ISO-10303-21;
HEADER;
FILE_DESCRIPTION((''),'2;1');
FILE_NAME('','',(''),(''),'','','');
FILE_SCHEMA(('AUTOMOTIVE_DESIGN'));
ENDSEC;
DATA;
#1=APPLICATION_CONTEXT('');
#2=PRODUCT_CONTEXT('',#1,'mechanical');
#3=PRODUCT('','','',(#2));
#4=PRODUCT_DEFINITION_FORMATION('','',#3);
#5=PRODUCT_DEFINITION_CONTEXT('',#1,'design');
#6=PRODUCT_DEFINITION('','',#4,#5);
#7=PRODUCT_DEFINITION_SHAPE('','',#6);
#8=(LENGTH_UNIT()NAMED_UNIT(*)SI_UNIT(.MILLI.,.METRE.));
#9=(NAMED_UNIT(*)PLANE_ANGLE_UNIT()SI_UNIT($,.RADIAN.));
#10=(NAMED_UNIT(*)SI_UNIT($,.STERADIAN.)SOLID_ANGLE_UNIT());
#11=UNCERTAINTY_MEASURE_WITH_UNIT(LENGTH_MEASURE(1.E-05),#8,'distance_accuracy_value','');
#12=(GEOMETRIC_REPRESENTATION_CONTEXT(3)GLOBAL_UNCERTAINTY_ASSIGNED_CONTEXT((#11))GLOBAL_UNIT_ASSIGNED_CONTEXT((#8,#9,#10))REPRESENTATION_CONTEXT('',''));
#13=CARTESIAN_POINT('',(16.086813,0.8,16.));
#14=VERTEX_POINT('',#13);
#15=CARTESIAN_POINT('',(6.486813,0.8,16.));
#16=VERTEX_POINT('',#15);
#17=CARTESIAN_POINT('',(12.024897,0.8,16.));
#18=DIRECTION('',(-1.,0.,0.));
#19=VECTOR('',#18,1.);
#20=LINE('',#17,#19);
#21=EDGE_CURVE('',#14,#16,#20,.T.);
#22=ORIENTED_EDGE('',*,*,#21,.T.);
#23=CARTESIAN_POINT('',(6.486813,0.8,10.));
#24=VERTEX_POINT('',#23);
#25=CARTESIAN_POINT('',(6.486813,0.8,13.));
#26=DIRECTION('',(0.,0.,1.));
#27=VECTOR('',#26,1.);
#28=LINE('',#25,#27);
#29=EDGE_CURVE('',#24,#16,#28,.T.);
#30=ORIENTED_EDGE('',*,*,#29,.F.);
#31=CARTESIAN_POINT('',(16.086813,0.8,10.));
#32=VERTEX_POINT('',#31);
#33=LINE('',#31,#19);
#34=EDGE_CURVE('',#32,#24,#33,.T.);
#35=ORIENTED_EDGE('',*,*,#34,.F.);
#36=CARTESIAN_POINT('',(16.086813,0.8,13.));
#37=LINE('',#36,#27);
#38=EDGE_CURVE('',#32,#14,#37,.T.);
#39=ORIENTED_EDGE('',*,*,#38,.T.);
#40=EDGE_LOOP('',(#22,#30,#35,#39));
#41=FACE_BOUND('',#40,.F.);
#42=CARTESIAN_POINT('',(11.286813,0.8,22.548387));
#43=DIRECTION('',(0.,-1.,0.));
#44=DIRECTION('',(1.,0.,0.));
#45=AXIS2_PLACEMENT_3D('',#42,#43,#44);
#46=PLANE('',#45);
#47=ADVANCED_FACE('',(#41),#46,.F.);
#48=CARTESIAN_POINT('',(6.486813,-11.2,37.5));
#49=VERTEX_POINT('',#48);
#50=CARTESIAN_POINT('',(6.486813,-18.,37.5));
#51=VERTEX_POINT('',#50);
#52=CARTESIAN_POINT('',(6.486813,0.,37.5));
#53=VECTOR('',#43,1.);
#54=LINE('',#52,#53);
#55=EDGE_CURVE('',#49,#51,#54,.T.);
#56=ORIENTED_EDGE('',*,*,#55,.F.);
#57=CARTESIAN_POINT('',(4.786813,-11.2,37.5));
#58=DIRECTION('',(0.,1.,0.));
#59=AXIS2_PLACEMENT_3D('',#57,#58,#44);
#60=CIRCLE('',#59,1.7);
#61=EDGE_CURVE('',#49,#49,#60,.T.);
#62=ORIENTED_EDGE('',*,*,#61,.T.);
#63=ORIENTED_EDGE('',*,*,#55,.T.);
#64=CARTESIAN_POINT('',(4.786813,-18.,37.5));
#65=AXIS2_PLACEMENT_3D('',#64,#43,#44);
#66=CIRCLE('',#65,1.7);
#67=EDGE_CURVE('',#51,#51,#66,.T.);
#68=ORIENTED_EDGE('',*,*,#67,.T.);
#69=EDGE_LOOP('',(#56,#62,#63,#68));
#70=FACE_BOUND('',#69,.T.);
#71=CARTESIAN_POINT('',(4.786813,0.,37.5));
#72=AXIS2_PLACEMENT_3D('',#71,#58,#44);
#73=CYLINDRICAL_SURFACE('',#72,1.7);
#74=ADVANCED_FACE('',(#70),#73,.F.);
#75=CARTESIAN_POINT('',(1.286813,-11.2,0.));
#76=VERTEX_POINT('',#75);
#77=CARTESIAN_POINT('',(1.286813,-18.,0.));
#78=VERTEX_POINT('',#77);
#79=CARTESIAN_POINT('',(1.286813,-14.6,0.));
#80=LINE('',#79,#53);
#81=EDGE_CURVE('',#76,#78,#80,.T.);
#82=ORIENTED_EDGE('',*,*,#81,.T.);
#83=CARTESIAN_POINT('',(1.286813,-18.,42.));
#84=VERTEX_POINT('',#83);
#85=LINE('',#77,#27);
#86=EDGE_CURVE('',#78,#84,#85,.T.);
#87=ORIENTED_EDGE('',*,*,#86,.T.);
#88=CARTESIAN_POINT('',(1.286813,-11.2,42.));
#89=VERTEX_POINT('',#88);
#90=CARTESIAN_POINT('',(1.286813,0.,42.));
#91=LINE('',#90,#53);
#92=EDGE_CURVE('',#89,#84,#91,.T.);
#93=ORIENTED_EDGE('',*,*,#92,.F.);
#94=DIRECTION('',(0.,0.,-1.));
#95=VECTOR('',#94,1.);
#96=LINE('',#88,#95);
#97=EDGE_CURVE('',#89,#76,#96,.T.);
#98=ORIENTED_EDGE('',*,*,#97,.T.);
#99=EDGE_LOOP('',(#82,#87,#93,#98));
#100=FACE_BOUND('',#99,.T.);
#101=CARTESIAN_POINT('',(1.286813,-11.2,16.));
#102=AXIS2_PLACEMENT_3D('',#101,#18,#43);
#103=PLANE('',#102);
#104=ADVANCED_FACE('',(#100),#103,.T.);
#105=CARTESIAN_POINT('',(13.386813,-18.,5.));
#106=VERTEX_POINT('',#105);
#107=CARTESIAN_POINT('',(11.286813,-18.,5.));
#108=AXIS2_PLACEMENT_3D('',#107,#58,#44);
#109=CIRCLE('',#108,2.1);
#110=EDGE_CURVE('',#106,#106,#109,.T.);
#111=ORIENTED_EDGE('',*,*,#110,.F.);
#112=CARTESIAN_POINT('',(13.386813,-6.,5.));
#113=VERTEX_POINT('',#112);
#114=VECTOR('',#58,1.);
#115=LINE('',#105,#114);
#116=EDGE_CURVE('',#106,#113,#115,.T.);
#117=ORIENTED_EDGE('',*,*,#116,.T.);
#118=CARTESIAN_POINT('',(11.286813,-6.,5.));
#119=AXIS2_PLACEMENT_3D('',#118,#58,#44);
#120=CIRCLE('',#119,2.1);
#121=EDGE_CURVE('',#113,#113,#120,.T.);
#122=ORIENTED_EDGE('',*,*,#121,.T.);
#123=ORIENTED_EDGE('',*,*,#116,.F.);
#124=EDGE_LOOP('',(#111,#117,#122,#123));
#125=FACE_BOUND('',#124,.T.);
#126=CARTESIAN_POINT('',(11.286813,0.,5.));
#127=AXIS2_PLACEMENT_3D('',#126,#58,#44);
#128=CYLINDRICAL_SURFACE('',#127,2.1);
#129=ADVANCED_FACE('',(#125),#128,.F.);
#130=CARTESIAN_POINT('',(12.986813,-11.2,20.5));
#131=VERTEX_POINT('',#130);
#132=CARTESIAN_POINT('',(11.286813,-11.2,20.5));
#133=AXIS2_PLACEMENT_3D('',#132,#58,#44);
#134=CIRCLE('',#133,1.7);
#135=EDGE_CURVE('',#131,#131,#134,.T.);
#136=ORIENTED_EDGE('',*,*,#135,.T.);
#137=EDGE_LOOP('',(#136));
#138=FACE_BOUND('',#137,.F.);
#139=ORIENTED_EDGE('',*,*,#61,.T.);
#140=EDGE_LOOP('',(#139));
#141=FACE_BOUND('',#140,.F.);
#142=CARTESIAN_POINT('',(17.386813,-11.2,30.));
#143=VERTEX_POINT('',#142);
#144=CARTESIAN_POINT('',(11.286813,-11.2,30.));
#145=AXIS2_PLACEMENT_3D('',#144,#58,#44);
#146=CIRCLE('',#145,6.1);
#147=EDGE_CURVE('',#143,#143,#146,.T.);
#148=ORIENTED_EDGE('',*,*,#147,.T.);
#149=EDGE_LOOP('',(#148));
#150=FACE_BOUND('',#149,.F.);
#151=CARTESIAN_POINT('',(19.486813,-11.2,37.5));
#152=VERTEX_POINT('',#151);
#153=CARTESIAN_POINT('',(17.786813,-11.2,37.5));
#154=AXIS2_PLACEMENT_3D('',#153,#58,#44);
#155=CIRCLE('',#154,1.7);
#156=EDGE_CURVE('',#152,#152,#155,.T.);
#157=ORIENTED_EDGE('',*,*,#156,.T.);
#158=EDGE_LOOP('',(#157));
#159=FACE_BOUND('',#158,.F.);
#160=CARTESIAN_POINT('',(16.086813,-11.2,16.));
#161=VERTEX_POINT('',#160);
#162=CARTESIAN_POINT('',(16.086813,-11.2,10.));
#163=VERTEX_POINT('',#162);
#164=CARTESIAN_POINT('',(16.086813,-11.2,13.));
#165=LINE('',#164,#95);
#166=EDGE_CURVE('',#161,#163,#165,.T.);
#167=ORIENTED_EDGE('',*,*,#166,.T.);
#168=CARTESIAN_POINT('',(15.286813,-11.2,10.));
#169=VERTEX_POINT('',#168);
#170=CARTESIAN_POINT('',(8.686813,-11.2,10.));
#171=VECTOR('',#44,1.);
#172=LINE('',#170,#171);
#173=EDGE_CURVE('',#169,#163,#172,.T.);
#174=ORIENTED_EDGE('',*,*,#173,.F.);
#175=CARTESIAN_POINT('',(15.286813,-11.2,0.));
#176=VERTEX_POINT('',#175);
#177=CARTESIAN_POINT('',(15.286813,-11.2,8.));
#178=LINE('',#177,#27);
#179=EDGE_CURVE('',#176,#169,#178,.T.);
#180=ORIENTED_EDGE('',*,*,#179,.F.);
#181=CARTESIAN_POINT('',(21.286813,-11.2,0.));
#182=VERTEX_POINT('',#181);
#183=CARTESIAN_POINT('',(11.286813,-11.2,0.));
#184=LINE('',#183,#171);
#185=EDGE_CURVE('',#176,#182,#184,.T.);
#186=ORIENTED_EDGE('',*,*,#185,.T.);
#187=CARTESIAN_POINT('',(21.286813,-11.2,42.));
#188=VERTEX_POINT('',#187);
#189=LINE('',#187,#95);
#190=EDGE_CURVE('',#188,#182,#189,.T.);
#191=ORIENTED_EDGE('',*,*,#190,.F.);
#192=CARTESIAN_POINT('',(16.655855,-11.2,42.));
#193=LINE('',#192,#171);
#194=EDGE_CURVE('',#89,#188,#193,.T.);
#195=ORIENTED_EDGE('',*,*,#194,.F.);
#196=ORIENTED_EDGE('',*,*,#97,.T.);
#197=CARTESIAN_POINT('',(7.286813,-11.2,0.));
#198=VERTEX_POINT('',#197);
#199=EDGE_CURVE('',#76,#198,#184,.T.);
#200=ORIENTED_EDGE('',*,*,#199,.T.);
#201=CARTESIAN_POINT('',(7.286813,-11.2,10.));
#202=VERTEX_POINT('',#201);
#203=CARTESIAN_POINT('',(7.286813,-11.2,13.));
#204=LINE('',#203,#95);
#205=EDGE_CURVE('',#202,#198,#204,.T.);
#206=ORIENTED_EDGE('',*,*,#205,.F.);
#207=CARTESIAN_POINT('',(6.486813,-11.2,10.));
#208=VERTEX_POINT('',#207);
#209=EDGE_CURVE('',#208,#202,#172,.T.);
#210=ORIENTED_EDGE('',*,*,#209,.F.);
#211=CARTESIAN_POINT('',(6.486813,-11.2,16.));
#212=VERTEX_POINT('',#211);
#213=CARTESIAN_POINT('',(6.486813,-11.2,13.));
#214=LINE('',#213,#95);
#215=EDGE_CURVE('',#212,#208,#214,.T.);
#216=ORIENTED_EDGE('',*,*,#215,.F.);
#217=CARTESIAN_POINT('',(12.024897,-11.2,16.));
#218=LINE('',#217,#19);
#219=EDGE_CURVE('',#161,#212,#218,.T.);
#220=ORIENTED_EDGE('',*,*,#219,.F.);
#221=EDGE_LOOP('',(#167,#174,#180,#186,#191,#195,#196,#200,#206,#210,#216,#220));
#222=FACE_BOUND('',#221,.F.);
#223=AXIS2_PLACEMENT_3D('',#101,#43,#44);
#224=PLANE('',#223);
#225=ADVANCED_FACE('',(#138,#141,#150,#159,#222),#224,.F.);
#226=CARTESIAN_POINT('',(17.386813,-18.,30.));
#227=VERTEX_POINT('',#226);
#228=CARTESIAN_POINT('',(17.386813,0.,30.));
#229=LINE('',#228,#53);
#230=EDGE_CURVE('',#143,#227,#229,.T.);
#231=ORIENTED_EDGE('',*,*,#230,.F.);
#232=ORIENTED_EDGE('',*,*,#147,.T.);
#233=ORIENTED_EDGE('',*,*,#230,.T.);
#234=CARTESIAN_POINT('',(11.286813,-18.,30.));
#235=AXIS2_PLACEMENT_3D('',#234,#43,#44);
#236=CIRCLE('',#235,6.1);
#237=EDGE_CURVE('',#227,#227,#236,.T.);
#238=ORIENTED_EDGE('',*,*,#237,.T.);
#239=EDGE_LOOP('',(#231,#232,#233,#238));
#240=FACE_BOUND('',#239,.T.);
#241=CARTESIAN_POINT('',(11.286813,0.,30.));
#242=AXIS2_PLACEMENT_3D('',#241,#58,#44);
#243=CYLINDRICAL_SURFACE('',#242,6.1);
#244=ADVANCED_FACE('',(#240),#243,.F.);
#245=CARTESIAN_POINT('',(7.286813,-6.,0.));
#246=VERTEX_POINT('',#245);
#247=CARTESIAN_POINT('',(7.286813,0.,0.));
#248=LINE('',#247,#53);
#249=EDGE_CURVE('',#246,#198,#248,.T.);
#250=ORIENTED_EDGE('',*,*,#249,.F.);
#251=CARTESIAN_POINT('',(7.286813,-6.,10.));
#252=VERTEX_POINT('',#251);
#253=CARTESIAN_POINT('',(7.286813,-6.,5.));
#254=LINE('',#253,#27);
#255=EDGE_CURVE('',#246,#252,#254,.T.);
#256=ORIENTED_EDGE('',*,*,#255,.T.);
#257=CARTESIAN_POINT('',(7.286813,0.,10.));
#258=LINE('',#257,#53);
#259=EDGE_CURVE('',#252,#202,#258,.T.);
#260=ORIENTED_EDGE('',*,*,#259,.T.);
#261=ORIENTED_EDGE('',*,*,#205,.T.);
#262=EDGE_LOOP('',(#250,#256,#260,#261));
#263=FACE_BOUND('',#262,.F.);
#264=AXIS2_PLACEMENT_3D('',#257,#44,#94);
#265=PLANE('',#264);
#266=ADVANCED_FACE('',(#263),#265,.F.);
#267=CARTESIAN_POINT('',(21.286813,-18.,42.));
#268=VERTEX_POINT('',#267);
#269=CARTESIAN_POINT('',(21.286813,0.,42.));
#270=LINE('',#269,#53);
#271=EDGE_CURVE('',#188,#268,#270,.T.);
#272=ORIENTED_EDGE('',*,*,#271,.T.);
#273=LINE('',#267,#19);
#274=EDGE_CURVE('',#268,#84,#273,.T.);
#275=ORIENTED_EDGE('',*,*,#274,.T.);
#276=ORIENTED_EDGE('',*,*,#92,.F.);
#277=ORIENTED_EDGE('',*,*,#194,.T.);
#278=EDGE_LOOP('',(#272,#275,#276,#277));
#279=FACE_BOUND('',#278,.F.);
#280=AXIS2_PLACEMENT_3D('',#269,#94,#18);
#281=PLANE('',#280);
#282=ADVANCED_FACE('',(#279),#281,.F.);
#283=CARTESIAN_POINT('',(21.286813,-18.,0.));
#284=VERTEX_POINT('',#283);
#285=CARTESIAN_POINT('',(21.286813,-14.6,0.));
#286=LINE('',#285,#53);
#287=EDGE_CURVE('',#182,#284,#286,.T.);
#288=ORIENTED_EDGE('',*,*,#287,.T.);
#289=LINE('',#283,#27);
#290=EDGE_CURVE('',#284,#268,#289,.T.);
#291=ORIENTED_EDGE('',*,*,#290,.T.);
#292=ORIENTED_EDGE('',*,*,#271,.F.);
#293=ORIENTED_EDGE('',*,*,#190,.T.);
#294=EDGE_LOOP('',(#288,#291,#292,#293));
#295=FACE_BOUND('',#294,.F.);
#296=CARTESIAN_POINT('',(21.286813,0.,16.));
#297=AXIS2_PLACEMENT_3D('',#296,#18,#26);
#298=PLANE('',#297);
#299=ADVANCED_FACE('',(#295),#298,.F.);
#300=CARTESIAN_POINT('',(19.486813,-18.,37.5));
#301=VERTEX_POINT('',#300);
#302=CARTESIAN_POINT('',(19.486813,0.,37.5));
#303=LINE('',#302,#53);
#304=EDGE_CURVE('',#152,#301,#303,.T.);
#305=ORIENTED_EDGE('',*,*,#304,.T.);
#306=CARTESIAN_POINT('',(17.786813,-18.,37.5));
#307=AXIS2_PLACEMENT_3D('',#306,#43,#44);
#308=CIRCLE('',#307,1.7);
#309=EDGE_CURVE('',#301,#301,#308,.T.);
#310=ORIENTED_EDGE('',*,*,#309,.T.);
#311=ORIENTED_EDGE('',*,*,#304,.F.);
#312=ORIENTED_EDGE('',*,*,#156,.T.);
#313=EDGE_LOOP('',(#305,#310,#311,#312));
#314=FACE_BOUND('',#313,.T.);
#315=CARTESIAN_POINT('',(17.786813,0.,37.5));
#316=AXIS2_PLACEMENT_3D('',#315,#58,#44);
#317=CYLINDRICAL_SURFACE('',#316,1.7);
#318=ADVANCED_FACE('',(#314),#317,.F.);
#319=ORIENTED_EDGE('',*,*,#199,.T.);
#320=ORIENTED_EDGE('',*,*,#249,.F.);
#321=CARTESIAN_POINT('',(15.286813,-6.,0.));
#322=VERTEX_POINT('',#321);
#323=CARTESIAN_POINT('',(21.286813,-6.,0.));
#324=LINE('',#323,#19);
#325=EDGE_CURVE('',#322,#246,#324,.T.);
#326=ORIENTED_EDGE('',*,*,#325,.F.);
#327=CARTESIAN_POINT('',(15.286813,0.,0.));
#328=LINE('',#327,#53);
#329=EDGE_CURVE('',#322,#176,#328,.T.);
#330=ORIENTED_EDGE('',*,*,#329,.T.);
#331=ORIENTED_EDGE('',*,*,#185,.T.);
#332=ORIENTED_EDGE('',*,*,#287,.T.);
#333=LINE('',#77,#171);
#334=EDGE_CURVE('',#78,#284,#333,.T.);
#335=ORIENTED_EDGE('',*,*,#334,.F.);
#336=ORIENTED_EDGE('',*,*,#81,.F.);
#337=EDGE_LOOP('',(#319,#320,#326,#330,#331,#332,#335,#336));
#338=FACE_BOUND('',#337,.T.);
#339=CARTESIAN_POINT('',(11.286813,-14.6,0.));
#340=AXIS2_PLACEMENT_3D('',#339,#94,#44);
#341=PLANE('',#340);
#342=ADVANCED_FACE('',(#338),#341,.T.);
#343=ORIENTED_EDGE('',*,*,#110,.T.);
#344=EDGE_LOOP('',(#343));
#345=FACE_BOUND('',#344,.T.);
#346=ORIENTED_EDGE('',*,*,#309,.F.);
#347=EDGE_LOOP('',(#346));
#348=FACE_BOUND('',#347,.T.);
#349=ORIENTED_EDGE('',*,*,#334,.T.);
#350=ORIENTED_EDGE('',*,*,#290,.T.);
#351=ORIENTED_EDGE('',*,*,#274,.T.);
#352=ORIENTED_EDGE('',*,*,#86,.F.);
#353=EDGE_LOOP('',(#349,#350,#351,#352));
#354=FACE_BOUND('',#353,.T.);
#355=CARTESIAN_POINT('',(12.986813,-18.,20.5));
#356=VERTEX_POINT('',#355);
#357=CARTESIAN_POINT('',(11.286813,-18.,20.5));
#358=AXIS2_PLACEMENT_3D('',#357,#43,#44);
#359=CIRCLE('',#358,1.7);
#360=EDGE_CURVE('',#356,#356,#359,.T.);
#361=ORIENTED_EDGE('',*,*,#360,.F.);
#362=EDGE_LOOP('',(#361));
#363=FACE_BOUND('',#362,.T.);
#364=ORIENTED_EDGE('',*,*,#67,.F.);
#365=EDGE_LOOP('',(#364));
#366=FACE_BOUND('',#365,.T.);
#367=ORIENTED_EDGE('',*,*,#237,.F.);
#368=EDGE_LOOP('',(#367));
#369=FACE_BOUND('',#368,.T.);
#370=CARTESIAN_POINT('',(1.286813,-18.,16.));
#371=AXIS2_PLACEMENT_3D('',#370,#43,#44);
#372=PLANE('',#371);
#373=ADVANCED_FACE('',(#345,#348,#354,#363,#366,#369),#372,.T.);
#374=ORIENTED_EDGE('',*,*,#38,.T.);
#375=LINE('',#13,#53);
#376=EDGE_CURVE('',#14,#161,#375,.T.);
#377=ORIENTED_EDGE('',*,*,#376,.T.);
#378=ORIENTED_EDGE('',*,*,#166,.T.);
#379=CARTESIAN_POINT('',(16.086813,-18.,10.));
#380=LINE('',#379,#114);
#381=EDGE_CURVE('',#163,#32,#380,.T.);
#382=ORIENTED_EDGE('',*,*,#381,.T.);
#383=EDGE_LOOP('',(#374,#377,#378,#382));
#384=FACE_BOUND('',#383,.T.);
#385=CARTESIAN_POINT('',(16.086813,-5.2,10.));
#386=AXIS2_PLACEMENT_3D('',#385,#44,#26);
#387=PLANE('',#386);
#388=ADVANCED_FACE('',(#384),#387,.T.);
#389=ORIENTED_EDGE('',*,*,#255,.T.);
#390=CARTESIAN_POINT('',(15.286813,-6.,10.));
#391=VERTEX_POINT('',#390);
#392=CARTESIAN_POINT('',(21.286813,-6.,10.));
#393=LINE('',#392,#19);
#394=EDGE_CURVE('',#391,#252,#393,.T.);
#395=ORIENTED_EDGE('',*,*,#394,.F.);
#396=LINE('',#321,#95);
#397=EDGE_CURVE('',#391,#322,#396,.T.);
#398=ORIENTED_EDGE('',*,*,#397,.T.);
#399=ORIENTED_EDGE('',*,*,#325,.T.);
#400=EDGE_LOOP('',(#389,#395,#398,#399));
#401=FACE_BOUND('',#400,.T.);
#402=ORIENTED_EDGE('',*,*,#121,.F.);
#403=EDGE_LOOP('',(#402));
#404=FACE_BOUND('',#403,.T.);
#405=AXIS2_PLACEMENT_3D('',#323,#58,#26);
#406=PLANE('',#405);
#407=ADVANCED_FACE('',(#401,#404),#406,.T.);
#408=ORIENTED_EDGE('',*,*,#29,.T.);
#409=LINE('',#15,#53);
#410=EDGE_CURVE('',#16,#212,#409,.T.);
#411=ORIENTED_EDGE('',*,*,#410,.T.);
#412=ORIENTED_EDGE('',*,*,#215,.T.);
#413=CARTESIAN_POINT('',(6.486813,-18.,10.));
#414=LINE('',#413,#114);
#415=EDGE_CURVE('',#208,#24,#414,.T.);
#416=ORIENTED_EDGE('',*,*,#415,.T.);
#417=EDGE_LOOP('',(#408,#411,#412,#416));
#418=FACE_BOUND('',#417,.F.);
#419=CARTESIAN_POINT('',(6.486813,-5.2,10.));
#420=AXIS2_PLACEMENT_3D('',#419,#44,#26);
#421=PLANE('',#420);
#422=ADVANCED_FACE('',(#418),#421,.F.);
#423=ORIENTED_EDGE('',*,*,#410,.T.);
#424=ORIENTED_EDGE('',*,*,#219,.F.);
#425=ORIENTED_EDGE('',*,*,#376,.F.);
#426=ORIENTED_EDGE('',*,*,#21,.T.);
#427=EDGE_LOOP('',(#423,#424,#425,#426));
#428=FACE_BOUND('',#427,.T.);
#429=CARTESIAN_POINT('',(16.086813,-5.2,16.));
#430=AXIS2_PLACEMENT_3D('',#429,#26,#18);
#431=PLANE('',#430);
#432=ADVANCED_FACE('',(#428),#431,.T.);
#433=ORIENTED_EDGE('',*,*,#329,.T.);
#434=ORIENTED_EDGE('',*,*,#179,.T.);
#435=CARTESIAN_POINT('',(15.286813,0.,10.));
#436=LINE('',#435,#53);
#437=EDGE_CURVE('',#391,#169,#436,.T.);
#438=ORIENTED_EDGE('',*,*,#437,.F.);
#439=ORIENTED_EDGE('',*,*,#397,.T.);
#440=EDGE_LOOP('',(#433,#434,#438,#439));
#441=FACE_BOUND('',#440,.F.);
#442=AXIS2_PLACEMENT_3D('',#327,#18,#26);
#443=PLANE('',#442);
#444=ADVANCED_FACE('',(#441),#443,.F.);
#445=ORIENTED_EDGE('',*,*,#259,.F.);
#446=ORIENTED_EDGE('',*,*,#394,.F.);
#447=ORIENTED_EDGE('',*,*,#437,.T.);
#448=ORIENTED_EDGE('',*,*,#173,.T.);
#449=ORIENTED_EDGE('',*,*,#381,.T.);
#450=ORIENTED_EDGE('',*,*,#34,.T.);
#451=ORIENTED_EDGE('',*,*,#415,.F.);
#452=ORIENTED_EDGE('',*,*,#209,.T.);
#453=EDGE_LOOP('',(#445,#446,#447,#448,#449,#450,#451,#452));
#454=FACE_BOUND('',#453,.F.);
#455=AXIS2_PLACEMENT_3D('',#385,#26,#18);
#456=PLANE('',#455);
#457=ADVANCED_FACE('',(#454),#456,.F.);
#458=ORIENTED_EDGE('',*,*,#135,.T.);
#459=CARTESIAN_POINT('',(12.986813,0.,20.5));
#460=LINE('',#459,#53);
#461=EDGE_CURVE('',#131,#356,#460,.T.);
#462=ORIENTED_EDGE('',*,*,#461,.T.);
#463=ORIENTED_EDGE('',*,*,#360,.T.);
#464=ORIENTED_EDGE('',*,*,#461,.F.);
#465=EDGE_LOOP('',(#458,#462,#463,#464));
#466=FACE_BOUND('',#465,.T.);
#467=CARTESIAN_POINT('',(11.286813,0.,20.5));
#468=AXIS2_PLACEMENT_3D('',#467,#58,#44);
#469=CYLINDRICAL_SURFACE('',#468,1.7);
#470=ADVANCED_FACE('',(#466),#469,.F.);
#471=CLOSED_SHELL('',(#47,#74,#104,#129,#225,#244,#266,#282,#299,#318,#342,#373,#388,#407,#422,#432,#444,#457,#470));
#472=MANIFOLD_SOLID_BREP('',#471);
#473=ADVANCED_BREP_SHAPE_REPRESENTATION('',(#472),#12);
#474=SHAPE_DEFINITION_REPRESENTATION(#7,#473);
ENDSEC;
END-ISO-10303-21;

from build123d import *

# Parameters (mm, degrees)
F0_R      = 1.7
F0_R_2    = 2.1
F0_R_3    = 6.1
F0_W      = 0.8
F0_H      = 6
F1_DEPTH  = 18
F2_W      = 6
F2_H      = 10
F3_DEPTH  = 20.001
F4_DEPTH  = 5.2
F5_W      = 37.3805030249
F5_H      = 33.9431622997
F6_DEPTH  = 6
F7_DEPTH  = 6
F8_W      = 20
F8_H      = 6.8
F9_DEPTH  = 16
F10_DEPTH = 18.001


with BuildPart() as f1:
    # F0 (on Front) → F1 (new body)
    with BuildSketch(Plane.XZ):
        Polygon((1.2868126808, 42), (1.2868126808, 31.58263134), (1.2868126808, 16), (6.4868126808, 16), (7.2868126808, 16), (7.2868126808, 10), (7.2868126808, 0), (15.2868126808, 0), (15.2868126808, 10), (15.2868126808, 16), (16.0868126808, 16), (21.2868126808, 16), (21.2868126808, 31.58263134), (21.2868126808, 42), align=None)
        with Locations((11.2868126808, 20.5)):
            Circle(F0_R, mode=Mode.SUBTRACT)
        with Locations((11.2868126808, 5)):
            Circle(F0_R_2, mode=Mode.SUBTRACT)
        with Locations((11.2868126808, 30)):
            Circle(F0_R_3, mode=Mode.SUBTRACT)
        with Locations((4.7868126808, 37.5)):
            Circle(F0_R, mode=Mode.SUBTRACT)
        with Locations((17.7868126808, 37.5)):
            Circle(F0_R, mode=Mode.SUBTRACT)
        with Locations((6.8868126808, 13)):
            Rectangle(F0_W, F0_H)
        with Locations((15.6868126808, 13)):
            Rectangle(F0_W, F0_H)
    extrude(amount=F1_DEPTH)

    # F2 (on face) → F3 (cut, through all)
    with BuildSketch(Plane.YZ.offset(21.2868126808)):
        with Locations((-3, 5)):
            Rectangle(F2_W, F2_H)
    extrude(amount=-F3_DEPTH, mode=Mode.SUBTRACT)

    # F4 (cut): a face of the model
    f4_faces = [f1.faces().sort_by_distance(p)[0] for p in [
        (20.9094534356, 0, 29),
    ]]
    extrude(f4_faces, amount=-F4_DEPTH, mode=Mode.SUBTRACT)

    # F5 (on face) → F6 (cut)
    with BuildSketch(Plane(origin=(0, -5.2, 0), x_dir=(-1, 0, 0), z_dir=(0, 1, 0))):
        with Locations((-12.0248973835, 32.9715811498)):
            Rectangle(F5_W, F5_H)
    extrude(amount=-F6_DEPTH, mode=Mode.SUBTRACT)

    # F7 (add): a face of the model
    f7_faces = [f1.faces().sort_by_distance(p)[0] for p in [
        (11.2868126808, -5.2, 13),
    ]]
    extrude(f7_faces, amount=F7_DEPTH)

    # F8 (on face) → F9 (join)
    with BuildSketch(Plane(origin=(0, 0, 16), x_dir=(1, 0, 0), z_dir=(0, 0, -1))):
        with Locations((11.2868126808, 14.6)):
            Rectangle(F8_W, F8_H)
    extrude(amount=F9_DEPTH)

    # F0 (on Front) → F10 (cut, through all)
    with BuildSketch(Plane.XZ):
        with Locations((11.2868126808, 5)):
            Circle(F0_R_2)
    extrude(amount=F10_DEPTH, mode=Mode.SUBTRACT)


solid = f1.part
